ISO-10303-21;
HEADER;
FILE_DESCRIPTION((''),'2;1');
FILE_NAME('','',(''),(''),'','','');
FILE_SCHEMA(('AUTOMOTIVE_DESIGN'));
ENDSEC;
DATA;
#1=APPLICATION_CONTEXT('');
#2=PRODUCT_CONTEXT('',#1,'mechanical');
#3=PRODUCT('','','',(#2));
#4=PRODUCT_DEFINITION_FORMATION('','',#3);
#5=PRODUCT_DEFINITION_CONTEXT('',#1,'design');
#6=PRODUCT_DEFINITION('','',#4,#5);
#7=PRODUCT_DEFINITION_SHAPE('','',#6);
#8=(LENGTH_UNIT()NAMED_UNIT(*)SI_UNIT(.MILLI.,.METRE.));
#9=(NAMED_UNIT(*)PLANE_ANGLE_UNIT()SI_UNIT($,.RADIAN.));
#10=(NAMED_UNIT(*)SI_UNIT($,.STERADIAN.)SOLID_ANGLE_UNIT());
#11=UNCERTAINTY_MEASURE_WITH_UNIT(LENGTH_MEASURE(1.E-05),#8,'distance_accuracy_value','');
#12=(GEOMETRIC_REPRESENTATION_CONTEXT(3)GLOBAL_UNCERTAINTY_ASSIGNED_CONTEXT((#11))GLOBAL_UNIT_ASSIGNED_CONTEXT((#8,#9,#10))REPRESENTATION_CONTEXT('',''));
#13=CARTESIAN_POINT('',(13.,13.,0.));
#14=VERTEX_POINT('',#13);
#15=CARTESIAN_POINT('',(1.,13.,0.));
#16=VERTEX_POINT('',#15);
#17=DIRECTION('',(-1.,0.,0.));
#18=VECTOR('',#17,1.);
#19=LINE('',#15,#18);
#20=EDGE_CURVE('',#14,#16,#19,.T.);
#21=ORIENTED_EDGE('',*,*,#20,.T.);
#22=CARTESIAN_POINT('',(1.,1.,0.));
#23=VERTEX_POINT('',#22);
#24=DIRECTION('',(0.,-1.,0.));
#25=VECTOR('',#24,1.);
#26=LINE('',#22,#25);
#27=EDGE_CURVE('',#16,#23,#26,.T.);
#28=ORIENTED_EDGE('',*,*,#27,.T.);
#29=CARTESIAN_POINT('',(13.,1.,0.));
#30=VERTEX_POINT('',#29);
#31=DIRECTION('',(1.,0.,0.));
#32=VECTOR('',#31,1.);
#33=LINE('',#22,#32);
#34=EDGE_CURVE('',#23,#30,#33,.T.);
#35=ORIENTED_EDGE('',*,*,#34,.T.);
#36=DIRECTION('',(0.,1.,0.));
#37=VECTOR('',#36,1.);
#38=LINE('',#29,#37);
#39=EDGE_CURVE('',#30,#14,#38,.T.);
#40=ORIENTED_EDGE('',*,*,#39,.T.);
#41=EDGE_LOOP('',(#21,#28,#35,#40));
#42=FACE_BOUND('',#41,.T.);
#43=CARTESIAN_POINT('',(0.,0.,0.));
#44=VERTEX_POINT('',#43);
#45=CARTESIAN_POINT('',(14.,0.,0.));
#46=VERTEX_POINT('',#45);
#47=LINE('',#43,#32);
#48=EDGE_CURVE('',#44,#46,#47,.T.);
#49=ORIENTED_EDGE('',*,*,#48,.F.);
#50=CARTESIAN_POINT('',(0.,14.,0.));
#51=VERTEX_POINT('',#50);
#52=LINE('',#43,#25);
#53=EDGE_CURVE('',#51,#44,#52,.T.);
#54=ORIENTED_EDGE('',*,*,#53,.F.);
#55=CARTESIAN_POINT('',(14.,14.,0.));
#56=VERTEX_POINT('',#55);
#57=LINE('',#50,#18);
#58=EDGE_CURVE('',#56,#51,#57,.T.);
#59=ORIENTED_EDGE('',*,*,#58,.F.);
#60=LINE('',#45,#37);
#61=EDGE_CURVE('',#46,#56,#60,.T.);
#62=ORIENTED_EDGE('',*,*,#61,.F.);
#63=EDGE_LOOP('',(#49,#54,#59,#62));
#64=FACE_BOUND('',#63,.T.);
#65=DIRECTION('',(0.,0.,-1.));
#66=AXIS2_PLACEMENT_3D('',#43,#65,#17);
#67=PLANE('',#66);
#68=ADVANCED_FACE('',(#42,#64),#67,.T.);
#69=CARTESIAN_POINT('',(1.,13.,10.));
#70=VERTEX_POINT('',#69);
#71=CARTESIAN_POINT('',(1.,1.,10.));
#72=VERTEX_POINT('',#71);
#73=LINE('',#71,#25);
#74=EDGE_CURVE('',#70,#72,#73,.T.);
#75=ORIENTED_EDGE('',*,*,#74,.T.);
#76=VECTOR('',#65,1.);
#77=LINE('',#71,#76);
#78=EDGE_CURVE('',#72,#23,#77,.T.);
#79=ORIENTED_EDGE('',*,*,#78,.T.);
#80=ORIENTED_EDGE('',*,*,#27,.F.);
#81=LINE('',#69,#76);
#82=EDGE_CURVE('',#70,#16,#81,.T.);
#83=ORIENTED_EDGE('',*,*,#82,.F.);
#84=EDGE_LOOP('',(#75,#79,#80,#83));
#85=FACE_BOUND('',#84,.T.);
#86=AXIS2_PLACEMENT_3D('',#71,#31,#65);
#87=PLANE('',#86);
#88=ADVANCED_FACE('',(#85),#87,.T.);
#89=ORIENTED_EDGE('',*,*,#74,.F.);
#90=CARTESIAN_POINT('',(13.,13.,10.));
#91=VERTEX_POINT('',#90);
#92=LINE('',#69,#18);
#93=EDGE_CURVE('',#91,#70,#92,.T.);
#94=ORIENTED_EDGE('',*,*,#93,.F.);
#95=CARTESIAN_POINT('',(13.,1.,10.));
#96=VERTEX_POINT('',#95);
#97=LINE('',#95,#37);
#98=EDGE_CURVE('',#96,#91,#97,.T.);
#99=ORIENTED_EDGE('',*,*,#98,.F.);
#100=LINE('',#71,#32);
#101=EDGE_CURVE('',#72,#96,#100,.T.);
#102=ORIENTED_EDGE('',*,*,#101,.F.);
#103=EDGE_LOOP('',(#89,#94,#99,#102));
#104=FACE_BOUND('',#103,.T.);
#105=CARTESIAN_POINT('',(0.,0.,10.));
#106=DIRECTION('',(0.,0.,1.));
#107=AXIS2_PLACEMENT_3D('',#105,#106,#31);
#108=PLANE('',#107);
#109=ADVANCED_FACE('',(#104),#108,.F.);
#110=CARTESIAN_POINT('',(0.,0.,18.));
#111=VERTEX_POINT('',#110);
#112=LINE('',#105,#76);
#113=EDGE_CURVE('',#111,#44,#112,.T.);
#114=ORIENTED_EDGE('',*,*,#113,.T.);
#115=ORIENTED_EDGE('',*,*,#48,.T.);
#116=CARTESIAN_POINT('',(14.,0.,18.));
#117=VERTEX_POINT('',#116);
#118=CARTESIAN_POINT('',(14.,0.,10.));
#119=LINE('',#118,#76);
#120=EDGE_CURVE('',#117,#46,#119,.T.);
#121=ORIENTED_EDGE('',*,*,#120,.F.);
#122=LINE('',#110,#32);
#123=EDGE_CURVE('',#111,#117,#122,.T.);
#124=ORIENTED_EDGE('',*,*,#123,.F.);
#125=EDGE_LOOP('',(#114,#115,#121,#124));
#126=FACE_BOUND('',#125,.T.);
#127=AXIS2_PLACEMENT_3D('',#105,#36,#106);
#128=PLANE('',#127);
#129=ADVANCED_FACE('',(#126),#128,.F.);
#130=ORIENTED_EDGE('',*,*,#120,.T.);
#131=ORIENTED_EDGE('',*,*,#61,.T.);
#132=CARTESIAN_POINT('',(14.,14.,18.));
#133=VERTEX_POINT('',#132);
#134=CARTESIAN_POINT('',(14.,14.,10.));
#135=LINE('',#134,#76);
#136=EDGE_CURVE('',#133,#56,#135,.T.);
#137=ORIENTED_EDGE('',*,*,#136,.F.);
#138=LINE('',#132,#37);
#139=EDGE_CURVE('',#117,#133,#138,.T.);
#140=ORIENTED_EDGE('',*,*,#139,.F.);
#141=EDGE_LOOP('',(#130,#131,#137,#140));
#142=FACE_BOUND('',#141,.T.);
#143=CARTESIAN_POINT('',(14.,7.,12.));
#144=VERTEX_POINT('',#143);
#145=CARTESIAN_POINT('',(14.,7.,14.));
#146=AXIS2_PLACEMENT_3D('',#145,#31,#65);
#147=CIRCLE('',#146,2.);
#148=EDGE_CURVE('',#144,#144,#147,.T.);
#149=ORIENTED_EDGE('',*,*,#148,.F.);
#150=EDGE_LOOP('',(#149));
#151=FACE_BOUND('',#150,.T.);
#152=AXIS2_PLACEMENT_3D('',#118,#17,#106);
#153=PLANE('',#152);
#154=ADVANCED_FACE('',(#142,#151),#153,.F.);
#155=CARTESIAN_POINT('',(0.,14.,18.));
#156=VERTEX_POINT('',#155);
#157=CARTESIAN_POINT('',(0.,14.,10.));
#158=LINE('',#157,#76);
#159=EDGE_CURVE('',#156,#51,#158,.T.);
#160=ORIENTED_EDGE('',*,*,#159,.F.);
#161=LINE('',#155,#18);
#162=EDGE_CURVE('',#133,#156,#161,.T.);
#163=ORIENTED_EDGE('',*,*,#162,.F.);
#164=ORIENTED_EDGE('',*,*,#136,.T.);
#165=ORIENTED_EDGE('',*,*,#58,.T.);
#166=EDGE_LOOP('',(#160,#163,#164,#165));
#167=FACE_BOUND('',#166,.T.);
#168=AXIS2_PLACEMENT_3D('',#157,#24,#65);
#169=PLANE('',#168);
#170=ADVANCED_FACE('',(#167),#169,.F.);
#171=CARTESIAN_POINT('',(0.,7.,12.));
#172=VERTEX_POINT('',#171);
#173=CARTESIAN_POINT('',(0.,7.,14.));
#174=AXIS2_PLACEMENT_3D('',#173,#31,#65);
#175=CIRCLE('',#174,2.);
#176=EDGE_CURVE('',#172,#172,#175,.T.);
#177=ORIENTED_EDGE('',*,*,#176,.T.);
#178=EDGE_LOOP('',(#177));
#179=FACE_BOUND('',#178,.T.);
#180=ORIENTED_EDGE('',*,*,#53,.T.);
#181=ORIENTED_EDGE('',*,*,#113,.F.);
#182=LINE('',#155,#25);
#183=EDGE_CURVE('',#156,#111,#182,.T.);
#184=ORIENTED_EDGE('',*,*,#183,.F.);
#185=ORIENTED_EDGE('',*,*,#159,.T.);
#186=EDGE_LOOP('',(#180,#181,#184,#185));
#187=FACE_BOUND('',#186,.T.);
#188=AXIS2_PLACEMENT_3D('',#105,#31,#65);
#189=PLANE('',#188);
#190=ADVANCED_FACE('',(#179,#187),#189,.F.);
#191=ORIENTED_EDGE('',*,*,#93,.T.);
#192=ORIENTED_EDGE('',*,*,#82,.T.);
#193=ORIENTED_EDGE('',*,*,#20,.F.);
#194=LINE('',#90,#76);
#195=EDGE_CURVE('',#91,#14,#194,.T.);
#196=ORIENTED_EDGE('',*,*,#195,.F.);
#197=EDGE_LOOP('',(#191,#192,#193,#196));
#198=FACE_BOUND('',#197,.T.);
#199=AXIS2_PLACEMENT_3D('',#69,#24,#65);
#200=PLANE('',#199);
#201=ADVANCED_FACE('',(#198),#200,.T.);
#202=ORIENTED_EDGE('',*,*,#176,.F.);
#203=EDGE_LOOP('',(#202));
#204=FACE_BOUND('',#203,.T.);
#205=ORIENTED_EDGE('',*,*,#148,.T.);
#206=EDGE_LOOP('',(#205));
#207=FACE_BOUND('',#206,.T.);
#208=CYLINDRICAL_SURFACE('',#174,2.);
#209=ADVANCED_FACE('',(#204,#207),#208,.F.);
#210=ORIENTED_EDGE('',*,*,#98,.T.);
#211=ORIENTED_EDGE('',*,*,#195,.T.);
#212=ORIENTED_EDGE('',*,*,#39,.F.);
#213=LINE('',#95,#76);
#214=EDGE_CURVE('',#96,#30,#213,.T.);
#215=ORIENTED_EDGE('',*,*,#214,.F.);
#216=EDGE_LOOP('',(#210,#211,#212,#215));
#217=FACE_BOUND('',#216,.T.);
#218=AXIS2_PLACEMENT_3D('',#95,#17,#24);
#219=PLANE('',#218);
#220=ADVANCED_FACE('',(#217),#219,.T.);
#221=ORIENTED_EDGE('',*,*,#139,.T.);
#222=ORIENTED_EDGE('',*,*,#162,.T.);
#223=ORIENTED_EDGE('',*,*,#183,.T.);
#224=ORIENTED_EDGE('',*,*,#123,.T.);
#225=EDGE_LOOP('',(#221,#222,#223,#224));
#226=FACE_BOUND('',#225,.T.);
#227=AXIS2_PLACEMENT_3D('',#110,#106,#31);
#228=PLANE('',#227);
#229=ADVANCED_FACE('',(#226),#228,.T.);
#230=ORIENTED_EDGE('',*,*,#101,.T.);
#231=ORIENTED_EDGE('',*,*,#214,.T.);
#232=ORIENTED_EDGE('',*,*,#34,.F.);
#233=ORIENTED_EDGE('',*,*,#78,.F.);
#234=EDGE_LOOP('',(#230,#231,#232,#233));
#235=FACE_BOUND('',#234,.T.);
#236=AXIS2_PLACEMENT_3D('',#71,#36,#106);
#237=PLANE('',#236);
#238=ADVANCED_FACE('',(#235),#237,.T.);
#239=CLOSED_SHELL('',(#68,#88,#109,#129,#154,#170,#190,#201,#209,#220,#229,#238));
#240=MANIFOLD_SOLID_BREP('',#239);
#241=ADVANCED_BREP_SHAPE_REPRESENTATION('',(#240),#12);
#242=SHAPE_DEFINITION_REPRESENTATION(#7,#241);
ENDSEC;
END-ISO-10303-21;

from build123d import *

# Parameters (mm, degrees)
SKETCH_1_W          = 14
SKETCH_1_H          = 14
SKETCH_1_W_2        = 12
SKETCH_1_H_2        = 12
EXTRUDE_1_DEPTH     = 10
SKETCH_2_W          = 14
SKETCH_2_H          = 14
EXTRUDE_2_DEPTH     = 8
SKETCH_3_R          = 2
CUT_EXTRUDE_1_DEPTH = 14


with BuildPart() as part:
    # 草图1 → 凸台-拉伸1 (new body)
    with BuildSketch(Plane.XY):
        with Locations((7, 7)):
            Rectangle(SKETCH_1_W, SKETCH_1_H)
        with Locations((7, 7)):
            Rectangle(SKETCH_1_W_2, SKETCH_1_H_2, mode=Mode.SUBTRACT)
    extrude(amount=EXTRUDE_1_DEPTH)

    # 草图2 → 凸台-拉伸2 (add)
    with BuildSketch(Plane.XY.offset(10)):
        with Locations((7, 7)):
            Rectangle(SKETCH_2_W, SKETCH_2_H)
    extrude(amount=EXTRUDE_2_DEPTH)

    # 草图3 → 切除-拉伸1 (cut)
    with BuildSketch(Plane(origin=(14, 0, 0), x_dir=(0, 0, -1), z_dir=(1, 0, 0))):
        with Locations((-14, 7)):
            Circle(SKETCH_3_R)
    extrude(amount=-CUT_EXTRUDE_1_DEPTH, mode=Mode.SUBTRACT)


solid = part.part
